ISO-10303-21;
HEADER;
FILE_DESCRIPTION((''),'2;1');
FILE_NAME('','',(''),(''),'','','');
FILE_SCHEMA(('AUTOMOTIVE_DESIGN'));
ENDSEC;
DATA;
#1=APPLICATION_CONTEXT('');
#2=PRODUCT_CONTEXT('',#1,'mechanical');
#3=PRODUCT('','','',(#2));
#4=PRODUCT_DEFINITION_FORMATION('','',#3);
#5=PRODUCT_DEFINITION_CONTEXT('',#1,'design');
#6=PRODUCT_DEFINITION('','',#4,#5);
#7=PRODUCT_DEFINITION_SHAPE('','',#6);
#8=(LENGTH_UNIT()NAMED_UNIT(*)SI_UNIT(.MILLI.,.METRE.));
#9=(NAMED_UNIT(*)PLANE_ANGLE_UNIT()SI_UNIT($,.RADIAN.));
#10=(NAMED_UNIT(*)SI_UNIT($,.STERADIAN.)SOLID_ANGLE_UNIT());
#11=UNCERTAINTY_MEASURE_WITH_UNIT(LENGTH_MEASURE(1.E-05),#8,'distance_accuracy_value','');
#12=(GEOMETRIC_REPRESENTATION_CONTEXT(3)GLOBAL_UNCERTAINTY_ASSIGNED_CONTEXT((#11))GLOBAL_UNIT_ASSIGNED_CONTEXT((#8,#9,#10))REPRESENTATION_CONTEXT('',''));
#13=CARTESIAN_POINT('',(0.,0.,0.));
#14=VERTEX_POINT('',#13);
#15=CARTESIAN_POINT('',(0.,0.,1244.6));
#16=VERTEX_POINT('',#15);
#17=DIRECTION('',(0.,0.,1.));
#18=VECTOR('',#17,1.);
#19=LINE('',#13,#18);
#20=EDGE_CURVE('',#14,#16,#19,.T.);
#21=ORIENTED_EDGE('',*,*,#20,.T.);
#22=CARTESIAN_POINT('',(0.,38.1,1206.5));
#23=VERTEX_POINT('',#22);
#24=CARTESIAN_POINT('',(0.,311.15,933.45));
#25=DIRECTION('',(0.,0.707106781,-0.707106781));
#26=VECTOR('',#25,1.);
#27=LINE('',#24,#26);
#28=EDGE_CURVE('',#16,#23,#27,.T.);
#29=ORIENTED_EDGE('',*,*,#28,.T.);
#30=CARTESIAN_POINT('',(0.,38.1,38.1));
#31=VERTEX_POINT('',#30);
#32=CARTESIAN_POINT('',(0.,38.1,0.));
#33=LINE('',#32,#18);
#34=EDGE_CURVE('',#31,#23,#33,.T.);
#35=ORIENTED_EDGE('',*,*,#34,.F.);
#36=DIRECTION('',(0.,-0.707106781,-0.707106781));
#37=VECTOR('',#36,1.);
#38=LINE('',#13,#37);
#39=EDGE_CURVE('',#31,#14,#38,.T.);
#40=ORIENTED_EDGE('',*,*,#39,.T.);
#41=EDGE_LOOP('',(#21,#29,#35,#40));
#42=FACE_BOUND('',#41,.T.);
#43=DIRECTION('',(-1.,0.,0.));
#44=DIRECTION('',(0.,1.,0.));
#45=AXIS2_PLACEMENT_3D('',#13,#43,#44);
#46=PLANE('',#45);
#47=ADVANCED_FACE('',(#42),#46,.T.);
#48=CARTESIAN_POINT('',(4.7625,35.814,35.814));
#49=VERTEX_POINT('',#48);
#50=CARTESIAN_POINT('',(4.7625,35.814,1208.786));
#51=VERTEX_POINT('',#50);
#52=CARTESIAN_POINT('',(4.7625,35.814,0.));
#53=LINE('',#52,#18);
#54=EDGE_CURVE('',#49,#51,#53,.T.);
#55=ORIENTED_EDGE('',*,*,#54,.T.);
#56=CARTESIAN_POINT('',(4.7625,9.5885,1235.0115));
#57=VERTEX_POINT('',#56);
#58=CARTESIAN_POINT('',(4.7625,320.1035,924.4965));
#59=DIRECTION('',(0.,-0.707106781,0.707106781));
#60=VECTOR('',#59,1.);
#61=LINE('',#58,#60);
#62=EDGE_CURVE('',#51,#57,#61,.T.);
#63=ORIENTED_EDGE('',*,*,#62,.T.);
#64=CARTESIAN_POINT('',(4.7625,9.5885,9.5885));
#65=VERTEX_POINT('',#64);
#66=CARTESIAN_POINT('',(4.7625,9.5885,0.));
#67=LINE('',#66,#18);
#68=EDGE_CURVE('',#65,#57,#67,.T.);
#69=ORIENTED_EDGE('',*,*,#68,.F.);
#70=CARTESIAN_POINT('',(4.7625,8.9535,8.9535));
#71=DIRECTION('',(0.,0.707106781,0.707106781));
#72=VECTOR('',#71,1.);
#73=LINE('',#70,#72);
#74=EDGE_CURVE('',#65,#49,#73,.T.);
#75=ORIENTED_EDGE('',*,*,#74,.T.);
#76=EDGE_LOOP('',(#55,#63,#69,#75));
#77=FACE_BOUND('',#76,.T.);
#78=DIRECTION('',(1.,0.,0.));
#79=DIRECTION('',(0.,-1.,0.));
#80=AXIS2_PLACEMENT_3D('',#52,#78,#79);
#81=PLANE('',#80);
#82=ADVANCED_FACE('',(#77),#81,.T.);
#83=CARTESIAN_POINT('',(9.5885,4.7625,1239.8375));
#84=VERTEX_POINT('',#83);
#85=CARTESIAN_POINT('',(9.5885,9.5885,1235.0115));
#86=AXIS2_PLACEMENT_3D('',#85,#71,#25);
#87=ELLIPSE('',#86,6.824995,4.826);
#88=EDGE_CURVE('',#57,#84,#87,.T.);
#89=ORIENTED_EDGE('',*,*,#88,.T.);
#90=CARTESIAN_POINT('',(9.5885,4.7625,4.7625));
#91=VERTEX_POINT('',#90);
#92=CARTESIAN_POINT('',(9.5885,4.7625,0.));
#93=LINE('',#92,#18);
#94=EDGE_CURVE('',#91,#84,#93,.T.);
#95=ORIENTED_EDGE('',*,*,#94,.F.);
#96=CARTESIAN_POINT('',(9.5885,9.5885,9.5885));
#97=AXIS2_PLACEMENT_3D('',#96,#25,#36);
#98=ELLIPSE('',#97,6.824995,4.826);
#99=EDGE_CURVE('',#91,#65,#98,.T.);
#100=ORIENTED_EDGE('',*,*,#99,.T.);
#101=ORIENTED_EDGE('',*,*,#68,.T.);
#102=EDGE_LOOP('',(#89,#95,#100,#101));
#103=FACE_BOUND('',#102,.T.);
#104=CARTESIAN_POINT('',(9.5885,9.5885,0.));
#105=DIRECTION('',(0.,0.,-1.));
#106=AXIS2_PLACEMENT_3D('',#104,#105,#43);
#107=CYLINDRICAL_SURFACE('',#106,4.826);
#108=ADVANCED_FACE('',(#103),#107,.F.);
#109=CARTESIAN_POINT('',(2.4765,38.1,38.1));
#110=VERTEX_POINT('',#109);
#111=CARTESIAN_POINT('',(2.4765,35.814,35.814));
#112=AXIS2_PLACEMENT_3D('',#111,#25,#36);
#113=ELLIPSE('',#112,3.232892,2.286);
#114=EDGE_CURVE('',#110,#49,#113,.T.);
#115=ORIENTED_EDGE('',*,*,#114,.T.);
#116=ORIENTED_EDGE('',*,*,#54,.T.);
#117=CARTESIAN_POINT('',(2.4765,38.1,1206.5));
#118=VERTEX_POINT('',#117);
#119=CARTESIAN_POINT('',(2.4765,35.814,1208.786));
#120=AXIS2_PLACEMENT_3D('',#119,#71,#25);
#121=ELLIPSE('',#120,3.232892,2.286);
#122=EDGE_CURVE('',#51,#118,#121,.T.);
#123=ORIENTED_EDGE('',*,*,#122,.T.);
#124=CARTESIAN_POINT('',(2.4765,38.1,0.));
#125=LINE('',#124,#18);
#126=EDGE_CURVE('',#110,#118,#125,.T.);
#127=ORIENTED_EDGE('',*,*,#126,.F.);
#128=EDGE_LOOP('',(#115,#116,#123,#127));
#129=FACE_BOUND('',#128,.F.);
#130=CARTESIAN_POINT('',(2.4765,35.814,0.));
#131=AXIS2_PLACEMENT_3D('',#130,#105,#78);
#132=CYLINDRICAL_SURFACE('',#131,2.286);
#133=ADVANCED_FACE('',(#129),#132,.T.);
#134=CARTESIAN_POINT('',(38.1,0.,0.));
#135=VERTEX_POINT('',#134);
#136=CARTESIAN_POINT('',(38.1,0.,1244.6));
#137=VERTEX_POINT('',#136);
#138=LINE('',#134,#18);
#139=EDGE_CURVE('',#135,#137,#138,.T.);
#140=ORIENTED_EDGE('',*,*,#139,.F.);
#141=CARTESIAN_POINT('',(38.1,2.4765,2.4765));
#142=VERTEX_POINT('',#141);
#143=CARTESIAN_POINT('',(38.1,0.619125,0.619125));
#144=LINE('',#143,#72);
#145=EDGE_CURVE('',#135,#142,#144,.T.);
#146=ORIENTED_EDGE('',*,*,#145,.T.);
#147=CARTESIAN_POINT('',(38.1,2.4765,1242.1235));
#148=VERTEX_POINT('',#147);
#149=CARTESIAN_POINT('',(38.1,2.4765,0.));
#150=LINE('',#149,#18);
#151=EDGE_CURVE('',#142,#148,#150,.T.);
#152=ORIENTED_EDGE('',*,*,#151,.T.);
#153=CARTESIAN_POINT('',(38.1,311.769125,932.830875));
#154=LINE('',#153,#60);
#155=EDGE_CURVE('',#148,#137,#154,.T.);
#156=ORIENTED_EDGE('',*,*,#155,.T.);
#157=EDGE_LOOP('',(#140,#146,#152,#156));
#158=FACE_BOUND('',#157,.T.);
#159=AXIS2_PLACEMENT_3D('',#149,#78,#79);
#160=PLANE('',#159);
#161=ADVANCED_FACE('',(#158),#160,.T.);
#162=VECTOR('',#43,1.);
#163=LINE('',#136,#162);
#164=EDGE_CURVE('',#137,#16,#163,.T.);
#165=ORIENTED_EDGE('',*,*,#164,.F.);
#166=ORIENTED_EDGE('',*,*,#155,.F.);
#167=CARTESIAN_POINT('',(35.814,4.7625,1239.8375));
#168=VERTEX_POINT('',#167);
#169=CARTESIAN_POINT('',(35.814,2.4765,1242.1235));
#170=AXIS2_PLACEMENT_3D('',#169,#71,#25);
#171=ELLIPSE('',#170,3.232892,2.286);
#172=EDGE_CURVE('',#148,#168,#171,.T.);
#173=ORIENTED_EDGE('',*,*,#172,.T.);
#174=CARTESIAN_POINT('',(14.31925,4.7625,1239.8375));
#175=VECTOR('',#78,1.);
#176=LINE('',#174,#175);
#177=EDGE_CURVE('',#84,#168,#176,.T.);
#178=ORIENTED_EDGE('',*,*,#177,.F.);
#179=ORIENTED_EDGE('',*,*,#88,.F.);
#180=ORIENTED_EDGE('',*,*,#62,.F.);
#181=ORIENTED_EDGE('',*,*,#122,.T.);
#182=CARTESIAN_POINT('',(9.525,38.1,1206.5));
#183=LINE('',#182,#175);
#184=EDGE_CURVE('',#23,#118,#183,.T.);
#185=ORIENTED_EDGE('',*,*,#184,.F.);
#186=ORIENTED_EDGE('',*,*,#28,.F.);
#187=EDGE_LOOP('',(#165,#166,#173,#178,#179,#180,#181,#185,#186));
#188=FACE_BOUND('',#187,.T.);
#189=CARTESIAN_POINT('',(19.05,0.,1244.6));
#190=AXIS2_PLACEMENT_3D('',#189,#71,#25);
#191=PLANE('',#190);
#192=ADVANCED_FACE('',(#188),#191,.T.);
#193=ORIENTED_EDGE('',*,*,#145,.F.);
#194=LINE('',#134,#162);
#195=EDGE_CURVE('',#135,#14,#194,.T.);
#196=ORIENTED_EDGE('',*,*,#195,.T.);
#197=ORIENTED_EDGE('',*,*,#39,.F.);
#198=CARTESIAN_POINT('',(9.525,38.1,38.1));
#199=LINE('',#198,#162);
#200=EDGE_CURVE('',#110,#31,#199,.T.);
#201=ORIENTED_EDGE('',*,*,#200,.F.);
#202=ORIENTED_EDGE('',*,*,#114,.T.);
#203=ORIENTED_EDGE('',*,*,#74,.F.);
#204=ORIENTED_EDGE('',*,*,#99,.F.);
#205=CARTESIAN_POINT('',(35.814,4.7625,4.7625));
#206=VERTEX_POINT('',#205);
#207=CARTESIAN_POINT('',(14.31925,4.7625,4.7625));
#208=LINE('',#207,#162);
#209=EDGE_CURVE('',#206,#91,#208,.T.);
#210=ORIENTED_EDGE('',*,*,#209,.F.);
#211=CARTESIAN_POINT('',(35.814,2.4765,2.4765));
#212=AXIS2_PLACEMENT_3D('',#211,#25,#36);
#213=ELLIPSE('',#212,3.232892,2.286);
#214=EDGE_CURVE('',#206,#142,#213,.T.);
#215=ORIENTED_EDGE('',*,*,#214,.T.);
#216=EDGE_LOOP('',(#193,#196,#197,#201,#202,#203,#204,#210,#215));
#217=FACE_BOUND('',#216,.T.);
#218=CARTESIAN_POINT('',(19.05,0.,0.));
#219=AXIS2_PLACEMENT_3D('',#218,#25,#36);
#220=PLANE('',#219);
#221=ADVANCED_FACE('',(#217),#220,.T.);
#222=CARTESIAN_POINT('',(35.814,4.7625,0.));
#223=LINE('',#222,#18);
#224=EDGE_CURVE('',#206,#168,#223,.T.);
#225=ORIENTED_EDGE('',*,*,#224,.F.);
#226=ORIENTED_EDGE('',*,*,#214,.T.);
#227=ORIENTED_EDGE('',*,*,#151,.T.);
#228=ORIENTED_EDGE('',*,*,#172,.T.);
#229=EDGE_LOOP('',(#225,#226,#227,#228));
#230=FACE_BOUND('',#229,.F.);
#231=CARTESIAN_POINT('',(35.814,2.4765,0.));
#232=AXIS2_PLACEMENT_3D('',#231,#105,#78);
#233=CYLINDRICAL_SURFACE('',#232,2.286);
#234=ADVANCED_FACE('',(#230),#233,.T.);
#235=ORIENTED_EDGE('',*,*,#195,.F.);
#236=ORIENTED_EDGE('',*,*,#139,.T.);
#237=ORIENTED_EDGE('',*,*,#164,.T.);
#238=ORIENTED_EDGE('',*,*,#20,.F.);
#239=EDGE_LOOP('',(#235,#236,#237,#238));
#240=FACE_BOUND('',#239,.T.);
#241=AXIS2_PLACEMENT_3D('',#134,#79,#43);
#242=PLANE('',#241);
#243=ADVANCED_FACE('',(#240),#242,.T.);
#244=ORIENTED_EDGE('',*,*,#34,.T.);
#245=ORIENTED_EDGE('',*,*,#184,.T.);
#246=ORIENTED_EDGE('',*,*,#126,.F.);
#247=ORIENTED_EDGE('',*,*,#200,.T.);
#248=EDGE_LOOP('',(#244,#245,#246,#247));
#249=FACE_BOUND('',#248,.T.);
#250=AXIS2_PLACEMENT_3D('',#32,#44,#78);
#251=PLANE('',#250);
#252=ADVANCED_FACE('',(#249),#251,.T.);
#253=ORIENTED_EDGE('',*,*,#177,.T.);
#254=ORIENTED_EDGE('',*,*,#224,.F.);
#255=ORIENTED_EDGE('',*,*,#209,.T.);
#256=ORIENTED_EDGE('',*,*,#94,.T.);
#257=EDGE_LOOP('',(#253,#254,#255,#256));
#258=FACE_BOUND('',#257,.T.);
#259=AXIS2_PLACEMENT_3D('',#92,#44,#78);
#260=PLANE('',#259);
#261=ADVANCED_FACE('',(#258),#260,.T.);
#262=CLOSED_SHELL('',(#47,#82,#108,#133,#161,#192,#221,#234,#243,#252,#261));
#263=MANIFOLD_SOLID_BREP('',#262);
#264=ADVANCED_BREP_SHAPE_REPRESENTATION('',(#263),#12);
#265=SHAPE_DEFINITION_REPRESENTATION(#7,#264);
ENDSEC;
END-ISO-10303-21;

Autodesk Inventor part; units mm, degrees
ref_plane "Start plane" through (0, 0, 0) normal (0, 0, 1) x (1, 0, 0)
ref_plane "End plane" through (0, 0, 1244.6) normal (0, 0, 1) x (1, 0, 0)
sketch "Sketch" plane through (0, 0, 0) normal (0, 0, 1) x (1, 0, 0)
  line L0 (38.1, 0) -> (0, 0)
  line L1 (0, 0) -> (0, 38.1)
  line L2 (0, 38.1) -> (2.4765, 38.1)
  line L3 (4.7625, 35.814) -> (4.7625, 9.5885)
  line L4 (9.5885, 4.7625) -> (35.814, 4.7625)
  line L5 (38.1, 2.4765) -> (38.1, 0)
  line L6 (0, -11.0414) -> (0, 31.5385) construction
  line L7 (-11.0414, 0) -> (31.5385, 0) construction
  arc A0 (4.7625, 9.5885) -> (9.5885, 4.7625) centre (9.5885, 9.5885) ccw
  arc A1 (4.7625, 35.814) -> (2.4765, 38.1) centre (2.4765, 35.814) ccw
  arc A2 (38.1, 2.4765) -> (35.814, 4.7625) centre (35.814, 2.4765) ccw
  line L8 (0, 48.4964) -> (0, -20.9644) construction
  line L9 (-20.9644, 0) -> (48.4964, 0) construction
  point P0 (4.7625, 38.1)
  point P1 (4.7625, 4.7625)
  point P2 (38.1, 4.7625)
  dimension "d0" = 38.1
  dimension "d1" = 38.1
  dimension "d2" = 4.7625
  dimension "d3" = 4.7625
  dimension "d10" = 0
  dimension "d11" = 0
  dimension "d14" = 4.826
  dimension "d15" = 2.286
extrude "Body" add sketch "Sketch" along normal up to surface (1244.6 mm away) from surface at 0
sketch "Sketch3" plane through (0, 0, 0) normal (0, 0, 1) x (1, 0, 0)
  line L0 (0, 0) -> (10, 0)
ref_plane "Work Plane3" through (0, 0, 0) normal (0, -1, 0) x (1, 0, 0)
sketch "Sketch4" plane through (0, 0, 0) normal (0, -1, 0) x (1, 0, 0)
  line L0 (-2, 0) -> (12, 0)
  line L1 (-2, 1244.6) -> (12, 1244.6)
  dimension "d17" = 1244.6
ref_plane "Work Plane4" through (19.05, 0, 1244.6) normal (0, 0.7071, 0.7071) x (1, 0, 0)
split "Split1" plane through (19.05, 0, 1244.6) removes the side toward (0, 0.7071, 0.7071)
ref_plane "Work Plane5" through (19.05, 0, 0) normal (0, 0.7071, -0.7071) x (1, 0, 0)
split "Split2" plane through (19.05, 0, 0) removes the side toward (0, 0.7071, -0.7071)
equation "\"d0\" = G_H"
equation "\"d1\" = G_H"
equation "\"d2\" = G_T"
equation "\"d3\" = G_T"
equation "\"d14\" = G_IR"
equation "\"d15\" = G_ER"
equation "\"d4\" = G_L"
equation "\"G_H\" = 38.1"
equation "\"G_T\" = 4.7625"
equation "\"G_ER\" = 2.286"
equation "\"G_IR\" = 4.826"
equation "\"G_L\" = d17"
equation "\"ex\" = 0"
equation "\"G_OFFSET_START\" = 0"
equation "\"G_OFFSET_END\" = 0"
equation "\"d13\" = G_OFFSET_END + B_L"
equation "\"B_L\" = 1244.6"
properties part number "AISC - L 1.5 x 1.5 x 3/16 - 49" material "Aluminum 6061"
